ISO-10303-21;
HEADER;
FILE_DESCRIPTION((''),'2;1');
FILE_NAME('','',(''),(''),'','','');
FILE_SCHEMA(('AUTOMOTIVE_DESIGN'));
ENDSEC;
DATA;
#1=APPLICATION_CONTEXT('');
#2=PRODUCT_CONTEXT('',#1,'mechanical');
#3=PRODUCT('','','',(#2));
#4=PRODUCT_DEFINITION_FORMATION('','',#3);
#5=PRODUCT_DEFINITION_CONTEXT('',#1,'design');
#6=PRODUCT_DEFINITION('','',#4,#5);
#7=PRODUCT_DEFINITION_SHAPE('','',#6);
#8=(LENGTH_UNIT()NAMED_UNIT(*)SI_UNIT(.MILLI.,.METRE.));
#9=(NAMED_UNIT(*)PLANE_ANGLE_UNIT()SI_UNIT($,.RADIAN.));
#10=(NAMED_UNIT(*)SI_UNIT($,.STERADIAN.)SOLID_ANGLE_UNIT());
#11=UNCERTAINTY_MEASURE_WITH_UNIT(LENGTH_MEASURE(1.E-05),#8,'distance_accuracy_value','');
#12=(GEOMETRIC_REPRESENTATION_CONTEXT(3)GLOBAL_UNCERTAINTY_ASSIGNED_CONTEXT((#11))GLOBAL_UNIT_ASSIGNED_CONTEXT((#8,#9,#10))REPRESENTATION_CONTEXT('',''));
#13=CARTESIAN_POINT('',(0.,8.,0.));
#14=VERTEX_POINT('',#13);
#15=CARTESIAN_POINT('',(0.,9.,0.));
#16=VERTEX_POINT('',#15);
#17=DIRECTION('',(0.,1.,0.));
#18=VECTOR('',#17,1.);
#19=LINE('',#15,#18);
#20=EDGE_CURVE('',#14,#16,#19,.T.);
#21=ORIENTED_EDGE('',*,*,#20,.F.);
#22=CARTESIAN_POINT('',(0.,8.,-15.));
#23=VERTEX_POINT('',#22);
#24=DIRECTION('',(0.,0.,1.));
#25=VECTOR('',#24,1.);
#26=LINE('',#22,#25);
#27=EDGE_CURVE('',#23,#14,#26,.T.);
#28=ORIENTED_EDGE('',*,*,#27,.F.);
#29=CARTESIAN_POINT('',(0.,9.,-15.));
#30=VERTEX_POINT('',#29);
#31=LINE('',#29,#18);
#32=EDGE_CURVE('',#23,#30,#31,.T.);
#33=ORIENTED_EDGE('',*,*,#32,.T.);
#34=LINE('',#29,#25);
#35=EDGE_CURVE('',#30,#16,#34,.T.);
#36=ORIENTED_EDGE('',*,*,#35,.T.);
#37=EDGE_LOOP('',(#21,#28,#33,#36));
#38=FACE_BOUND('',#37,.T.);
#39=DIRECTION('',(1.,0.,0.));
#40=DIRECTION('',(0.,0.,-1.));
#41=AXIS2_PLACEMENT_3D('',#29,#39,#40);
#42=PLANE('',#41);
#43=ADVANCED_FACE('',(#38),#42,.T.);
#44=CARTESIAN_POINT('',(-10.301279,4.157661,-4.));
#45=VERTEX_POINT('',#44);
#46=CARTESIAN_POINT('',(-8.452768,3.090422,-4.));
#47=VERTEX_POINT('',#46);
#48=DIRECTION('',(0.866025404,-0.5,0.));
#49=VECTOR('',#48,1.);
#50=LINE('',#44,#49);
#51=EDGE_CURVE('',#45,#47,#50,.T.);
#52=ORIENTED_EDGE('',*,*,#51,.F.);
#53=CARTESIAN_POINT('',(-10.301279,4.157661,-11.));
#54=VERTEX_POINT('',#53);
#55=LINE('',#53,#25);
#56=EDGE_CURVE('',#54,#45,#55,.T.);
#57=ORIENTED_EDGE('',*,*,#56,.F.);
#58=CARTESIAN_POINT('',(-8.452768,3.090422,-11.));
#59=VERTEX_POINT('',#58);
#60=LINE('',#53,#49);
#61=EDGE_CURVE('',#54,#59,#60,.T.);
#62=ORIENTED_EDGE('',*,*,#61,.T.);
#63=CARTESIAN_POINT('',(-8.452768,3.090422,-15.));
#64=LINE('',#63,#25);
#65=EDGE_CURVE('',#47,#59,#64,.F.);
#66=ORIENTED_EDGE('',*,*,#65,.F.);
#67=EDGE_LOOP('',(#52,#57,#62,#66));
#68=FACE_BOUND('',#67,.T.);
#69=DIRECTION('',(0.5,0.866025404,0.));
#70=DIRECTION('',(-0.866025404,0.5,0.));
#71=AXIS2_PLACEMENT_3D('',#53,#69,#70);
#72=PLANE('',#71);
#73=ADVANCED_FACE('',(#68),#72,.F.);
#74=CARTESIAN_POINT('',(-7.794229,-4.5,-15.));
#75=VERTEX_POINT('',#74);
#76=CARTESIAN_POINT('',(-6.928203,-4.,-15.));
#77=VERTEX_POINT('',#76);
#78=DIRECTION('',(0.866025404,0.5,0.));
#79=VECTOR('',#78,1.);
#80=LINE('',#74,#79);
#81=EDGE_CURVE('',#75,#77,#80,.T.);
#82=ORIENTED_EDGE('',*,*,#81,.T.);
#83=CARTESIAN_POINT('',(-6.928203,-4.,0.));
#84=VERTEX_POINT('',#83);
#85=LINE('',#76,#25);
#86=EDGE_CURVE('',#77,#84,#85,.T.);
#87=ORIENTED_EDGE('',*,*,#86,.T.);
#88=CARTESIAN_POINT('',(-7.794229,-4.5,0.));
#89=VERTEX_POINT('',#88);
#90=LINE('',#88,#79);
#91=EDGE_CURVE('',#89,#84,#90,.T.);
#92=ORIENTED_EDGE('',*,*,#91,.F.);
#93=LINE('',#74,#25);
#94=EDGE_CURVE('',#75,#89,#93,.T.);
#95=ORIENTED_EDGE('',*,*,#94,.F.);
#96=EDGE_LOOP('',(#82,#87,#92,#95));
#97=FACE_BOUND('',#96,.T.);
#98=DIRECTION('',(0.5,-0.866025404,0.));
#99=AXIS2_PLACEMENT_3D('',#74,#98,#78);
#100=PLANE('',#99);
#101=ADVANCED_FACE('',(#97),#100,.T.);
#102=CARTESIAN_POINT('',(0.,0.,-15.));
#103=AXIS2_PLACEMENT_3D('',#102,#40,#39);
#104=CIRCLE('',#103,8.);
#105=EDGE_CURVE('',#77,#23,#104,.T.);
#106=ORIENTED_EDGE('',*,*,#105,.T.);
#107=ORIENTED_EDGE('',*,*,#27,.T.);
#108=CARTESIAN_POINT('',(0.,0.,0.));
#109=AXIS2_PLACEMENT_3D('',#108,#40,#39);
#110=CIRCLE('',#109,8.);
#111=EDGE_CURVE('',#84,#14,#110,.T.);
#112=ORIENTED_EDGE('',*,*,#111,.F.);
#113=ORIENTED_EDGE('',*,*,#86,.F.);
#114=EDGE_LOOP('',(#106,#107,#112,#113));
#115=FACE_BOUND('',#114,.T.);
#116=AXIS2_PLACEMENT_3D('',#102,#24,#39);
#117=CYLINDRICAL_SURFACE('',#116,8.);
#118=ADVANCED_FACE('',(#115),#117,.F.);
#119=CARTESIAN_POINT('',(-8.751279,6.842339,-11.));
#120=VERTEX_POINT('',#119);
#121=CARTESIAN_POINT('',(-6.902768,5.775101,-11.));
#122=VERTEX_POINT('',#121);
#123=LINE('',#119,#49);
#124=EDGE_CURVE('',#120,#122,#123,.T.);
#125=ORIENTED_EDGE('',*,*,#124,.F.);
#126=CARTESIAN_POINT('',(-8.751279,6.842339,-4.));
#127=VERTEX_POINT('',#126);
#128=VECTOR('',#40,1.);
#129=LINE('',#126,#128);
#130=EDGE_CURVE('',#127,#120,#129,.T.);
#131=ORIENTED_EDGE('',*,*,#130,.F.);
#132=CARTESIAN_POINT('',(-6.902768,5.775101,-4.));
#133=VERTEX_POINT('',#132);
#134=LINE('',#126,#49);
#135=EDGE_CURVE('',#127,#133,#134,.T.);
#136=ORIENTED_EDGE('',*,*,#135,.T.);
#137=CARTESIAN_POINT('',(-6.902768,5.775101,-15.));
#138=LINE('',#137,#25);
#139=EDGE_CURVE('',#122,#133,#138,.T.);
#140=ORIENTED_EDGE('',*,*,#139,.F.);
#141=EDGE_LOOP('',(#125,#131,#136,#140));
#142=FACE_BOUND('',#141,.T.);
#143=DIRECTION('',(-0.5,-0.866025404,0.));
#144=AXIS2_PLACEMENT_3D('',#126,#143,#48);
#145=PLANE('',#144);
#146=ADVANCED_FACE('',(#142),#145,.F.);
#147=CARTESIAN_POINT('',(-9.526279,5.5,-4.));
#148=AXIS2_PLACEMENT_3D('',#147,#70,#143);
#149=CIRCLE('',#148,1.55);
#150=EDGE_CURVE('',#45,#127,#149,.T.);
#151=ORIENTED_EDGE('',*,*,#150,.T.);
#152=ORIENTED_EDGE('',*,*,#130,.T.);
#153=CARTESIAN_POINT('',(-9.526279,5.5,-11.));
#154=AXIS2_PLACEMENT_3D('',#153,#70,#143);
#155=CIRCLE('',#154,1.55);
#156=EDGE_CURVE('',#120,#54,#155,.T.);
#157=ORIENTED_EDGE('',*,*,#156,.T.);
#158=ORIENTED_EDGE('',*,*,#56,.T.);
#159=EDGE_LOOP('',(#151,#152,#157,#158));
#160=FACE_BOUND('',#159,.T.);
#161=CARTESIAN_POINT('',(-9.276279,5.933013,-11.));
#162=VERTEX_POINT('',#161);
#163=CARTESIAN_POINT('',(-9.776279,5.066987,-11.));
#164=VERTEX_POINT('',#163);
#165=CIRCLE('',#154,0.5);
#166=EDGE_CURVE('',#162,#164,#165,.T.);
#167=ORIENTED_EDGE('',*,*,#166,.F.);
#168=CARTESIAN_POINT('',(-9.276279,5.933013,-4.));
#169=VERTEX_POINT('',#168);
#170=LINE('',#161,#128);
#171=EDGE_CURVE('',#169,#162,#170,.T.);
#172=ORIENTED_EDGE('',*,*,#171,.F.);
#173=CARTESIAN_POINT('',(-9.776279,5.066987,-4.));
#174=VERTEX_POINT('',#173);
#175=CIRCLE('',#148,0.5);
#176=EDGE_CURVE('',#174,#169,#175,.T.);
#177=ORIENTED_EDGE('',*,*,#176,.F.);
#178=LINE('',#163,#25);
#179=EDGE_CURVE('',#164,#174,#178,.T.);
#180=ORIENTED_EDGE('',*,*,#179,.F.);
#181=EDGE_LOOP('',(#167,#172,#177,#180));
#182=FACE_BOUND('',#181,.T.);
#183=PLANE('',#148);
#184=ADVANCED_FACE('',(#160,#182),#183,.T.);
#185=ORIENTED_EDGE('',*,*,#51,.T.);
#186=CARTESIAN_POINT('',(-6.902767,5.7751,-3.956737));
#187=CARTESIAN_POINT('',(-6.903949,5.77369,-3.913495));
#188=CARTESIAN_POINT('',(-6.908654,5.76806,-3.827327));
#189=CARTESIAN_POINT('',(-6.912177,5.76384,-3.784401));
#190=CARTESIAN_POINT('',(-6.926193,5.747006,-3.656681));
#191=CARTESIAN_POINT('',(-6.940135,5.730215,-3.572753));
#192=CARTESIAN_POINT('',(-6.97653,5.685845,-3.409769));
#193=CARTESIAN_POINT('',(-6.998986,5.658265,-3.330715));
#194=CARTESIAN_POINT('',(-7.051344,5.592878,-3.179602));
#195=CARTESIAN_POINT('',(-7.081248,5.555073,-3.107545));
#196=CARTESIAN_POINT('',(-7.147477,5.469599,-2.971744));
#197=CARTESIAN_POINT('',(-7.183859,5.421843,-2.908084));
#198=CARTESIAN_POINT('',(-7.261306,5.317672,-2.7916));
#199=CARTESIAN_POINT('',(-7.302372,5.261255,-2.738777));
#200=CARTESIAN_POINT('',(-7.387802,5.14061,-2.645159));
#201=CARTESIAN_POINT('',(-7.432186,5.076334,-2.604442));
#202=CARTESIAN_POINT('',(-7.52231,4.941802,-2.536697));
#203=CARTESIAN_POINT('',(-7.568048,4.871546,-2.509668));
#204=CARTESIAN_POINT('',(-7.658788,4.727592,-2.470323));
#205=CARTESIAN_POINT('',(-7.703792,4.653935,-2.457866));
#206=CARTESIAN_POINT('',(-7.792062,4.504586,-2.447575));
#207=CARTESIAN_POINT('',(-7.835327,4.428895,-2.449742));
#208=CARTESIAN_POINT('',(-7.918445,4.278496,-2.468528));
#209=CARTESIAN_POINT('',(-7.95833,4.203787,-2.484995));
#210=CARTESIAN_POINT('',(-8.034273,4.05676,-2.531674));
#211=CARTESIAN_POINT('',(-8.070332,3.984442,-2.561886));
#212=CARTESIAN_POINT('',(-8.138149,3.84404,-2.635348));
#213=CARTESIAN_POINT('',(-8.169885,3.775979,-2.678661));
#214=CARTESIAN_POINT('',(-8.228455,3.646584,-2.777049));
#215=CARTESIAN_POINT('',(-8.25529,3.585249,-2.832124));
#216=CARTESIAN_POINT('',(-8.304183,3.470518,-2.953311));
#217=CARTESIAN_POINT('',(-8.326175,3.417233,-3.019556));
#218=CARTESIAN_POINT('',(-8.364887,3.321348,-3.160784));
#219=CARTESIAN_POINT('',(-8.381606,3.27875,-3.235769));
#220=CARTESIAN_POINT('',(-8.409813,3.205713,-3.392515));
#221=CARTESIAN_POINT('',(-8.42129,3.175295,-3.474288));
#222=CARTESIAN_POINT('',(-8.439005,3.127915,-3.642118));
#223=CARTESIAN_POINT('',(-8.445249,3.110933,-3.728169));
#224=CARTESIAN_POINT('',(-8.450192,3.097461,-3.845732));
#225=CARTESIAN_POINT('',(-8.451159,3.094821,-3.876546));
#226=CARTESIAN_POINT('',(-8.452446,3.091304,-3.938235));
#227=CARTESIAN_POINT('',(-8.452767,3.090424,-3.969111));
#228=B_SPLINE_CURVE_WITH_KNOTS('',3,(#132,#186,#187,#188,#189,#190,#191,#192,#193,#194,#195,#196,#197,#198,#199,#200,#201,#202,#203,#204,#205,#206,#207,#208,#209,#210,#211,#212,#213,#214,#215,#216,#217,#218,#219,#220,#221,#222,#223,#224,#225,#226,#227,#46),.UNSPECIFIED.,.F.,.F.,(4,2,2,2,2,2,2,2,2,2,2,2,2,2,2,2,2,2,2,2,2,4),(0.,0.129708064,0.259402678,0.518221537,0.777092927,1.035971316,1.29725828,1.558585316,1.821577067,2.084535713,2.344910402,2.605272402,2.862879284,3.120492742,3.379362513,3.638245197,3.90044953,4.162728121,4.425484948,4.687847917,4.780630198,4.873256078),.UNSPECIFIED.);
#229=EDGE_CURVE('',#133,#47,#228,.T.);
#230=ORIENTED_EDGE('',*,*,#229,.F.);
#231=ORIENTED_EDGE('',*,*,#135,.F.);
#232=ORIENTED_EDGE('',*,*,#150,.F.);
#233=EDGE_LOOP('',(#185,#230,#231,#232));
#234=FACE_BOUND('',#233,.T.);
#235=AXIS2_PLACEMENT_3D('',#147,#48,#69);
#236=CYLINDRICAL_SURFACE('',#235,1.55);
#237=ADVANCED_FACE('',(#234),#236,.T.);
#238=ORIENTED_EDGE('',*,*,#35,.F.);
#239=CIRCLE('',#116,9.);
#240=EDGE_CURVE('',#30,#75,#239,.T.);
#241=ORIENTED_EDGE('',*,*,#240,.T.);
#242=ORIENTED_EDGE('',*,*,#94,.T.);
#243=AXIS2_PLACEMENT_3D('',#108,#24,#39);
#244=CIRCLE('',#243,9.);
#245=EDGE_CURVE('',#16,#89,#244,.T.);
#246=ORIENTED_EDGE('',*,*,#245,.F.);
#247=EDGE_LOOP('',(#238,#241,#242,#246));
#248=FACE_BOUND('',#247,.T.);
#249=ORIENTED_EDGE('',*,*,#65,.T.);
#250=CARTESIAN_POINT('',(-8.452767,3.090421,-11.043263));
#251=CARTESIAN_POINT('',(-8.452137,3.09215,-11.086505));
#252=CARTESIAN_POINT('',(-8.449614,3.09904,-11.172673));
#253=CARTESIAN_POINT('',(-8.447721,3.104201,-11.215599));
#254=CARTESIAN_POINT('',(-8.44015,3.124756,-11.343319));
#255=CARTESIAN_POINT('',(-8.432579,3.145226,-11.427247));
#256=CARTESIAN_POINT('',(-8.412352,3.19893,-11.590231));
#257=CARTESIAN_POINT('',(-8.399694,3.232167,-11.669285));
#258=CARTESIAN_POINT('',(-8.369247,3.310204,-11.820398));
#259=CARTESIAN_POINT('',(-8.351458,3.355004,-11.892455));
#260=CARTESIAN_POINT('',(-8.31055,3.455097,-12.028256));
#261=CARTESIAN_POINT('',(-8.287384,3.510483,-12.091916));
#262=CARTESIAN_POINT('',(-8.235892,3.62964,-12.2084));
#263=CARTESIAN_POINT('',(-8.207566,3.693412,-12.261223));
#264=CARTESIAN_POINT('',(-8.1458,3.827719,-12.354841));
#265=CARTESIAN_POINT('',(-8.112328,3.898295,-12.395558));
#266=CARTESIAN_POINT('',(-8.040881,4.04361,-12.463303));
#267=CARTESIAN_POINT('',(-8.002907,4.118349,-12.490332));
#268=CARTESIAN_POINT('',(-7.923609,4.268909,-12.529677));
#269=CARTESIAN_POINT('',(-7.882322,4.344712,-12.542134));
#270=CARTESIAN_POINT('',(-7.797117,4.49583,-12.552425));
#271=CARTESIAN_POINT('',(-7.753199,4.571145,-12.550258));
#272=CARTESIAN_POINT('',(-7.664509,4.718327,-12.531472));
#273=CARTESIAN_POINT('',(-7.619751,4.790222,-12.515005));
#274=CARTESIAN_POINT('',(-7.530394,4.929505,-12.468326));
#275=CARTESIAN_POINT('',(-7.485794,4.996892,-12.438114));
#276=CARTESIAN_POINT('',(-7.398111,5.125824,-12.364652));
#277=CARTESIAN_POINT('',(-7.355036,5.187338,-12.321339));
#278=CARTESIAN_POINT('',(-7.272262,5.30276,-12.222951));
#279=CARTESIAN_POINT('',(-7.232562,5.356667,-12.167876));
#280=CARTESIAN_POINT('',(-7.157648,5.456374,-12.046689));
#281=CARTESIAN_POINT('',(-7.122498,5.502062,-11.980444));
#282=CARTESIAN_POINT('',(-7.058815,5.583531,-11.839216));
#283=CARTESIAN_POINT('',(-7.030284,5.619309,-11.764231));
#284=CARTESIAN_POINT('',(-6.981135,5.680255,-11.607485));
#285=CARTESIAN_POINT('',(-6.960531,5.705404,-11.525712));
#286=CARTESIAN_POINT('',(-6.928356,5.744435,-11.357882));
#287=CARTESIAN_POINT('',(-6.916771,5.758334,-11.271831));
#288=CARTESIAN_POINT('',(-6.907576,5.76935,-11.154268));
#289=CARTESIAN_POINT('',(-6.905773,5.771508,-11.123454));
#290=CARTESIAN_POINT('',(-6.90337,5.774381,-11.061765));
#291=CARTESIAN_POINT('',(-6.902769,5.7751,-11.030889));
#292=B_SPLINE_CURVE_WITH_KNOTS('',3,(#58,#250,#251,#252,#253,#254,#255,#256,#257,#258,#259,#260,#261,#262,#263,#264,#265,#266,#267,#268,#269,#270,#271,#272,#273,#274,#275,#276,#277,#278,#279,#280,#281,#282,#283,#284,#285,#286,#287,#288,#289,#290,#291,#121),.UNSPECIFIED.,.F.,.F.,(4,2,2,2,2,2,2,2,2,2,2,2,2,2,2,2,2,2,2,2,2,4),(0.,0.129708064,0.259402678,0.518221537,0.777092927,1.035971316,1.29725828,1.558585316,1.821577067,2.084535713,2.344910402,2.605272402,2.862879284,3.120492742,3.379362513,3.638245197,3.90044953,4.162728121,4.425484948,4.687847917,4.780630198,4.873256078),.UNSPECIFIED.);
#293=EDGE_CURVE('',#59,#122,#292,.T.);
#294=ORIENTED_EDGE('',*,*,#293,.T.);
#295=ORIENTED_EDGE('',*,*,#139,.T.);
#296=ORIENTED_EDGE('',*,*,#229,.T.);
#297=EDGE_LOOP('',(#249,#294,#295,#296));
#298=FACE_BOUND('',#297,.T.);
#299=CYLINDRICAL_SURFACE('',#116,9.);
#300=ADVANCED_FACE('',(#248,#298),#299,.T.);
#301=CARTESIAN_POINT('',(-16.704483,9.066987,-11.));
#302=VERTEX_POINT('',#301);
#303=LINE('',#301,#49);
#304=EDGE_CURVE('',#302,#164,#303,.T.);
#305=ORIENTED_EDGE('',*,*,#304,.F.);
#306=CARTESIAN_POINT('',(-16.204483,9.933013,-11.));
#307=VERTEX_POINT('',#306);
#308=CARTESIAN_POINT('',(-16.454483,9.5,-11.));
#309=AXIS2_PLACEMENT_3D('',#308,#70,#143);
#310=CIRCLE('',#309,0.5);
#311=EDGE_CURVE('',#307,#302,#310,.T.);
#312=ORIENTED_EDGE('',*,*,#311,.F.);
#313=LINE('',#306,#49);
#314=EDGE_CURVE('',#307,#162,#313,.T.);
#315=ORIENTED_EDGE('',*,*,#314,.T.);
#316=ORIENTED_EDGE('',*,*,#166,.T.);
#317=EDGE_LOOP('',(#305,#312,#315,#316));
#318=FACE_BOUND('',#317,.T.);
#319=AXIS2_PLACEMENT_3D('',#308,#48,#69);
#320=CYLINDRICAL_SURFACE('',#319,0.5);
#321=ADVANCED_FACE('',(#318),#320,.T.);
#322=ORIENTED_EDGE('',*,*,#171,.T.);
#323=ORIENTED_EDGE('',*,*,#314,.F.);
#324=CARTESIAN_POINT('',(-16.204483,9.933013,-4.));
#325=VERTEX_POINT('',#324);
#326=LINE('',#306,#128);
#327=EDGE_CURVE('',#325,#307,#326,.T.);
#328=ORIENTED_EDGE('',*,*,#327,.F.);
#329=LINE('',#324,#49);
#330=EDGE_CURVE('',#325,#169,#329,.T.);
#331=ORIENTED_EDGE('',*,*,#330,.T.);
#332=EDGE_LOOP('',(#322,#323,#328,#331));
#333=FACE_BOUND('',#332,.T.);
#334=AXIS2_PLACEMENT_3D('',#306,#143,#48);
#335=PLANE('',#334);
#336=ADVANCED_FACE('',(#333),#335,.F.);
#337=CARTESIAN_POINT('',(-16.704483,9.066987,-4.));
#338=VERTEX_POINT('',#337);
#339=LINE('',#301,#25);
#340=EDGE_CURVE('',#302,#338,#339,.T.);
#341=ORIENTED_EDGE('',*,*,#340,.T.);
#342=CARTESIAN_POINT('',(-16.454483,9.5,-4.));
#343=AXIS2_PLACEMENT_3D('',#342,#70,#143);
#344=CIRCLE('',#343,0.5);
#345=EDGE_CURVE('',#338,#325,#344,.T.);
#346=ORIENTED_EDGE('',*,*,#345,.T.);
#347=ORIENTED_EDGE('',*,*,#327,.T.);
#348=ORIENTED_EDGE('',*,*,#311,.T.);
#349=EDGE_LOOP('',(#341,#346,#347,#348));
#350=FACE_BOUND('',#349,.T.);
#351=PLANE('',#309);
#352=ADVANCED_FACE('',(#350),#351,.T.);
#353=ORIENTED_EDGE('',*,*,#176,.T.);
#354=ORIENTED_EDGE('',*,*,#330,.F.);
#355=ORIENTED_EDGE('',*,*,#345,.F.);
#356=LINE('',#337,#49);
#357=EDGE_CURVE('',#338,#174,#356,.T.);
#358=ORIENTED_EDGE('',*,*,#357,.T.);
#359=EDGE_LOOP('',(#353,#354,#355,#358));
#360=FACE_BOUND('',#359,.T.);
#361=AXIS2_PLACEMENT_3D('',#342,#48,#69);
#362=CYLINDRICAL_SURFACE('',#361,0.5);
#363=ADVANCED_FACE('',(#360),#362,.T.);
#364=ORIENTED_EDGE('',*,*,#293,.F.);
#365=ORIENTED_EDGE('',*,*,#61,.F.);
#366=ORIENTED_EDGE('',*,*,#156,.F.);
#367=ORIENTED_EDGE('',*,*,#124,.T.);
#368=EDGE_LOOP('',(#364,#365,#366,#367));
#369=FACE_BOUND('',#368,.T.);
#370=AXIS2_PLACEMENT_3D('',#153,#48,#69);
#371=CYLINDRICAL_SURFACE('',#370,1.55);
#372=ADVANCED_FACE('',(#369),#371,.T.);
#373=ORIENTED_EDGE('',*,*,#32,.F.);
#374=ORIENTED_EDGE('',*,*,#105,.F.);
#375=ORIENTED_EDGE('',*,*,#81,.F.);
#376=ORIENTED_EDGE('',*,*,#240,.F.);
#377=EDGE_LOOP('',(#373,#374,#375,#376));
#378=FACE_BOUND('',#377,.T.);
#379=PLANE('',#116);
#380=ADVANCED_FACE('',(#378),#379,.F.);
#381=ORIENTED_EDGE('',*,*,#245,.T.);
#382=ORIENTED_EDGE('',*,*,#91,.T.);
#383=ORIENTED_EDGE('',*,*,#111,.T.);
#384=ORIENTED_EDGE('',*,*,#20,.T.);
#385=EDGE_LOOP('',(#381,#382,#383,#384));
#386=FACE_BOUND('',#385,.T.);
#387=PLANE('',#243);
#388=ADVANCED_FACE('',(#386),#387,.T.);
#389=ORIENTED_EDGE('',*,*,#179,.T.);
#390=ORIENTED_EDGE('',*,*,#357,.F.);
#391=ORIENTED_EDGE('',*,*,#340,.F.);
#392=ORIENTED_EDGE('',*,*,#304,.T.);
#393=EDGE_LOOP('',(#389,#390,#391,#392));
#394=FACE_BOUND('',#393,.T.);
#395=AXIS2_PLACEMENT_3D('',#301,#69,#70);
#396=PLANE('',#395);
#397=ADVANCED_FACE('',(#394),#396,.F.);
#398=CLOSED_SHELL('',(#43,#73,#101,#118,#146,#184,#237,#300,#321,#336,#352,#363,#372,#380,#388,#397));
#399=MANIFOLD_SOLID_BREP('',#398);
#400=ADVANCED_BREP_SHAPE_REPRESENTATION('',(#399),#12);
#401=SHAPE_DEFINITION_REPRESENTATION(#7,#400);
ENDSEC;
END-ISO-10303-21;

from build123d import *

# Parameters (mm, degrees)
BOSS_EXTRU_1_DEPTH = 15
BOSS_EXTRU_2_START = -0.0139
BOSS_EXTRU_2_DEPTH = 10.0139
BOSS_EXTRU_4_START = -0.134477
BOSS_EXTRU_4_DEPTH = 2.134477


with BuildPart() as part:
    # Esquisse1 → Boss.-Extru.1 (new body)
    with BuildSketch(Plane.XY):
        with BuildLine():
            Line((-7.794228634, -4.5), (-6.92820323, -4))
            ThreePointArc((-6.92820323, -4), (-6.92820323, 4), (0, 8))
            Line((0, 8), (0, 9))
            ThreePointArc((0, 9), (-7.794228634, 4.5), (-7.794228634, -4.5))
        make_face()
    extrude(amount=-BOSS_EXTRU_1_DEPTH)

    # Esquisse2 → Boss.-Extru.2 (add)
    with BuildSketch(Plane(origin=(-7.794228634, 4.5, 0), x_dir=(0, 0, 1), z_dir=(-0.866025404, 0.5, 0)).offset(BOSS_EXTRU_2_START)):
        with BuildLine():
            Line((-11, 0.5), (-4, 0.5))
            ThreePointArc((-4, 0.5), (-3.5, 0), (-4, -0.5))
            Line((-4, -0.5), (-11, -0.5))
            ThreePointArc((-11, -0.5), (-11.5, 0), (-11, 0.5))
        make_face()
    extrude(amount=BOSS_EXTRU_2_DEPTH)

    # Esquisse7 → Boss.-Extru.4 (add)
    with BuildSketch(Plane(origin=(-7.794228634, 4.5, 0), x_dir=(0, 0, 1), z_dir=(-0.866025404, 0.5, 0)).offset(BOSS_EXTRU_4_START)):
        with BuildLine():
            Line((-4, 1.55), (-11, 1.55))
            ThreePointArc((-11, 1.55), (-12.55, 0), (-11, -1.55))
            Line((-11, -1.55), (-4, -1.55))
            ThreePointArc((-4, -1.55), (-2.45, 0), (-4, 1.55))
        make_face()
    extrude(amount=BOSS_EXTRU_4_DEPTH)


solid = part.part
